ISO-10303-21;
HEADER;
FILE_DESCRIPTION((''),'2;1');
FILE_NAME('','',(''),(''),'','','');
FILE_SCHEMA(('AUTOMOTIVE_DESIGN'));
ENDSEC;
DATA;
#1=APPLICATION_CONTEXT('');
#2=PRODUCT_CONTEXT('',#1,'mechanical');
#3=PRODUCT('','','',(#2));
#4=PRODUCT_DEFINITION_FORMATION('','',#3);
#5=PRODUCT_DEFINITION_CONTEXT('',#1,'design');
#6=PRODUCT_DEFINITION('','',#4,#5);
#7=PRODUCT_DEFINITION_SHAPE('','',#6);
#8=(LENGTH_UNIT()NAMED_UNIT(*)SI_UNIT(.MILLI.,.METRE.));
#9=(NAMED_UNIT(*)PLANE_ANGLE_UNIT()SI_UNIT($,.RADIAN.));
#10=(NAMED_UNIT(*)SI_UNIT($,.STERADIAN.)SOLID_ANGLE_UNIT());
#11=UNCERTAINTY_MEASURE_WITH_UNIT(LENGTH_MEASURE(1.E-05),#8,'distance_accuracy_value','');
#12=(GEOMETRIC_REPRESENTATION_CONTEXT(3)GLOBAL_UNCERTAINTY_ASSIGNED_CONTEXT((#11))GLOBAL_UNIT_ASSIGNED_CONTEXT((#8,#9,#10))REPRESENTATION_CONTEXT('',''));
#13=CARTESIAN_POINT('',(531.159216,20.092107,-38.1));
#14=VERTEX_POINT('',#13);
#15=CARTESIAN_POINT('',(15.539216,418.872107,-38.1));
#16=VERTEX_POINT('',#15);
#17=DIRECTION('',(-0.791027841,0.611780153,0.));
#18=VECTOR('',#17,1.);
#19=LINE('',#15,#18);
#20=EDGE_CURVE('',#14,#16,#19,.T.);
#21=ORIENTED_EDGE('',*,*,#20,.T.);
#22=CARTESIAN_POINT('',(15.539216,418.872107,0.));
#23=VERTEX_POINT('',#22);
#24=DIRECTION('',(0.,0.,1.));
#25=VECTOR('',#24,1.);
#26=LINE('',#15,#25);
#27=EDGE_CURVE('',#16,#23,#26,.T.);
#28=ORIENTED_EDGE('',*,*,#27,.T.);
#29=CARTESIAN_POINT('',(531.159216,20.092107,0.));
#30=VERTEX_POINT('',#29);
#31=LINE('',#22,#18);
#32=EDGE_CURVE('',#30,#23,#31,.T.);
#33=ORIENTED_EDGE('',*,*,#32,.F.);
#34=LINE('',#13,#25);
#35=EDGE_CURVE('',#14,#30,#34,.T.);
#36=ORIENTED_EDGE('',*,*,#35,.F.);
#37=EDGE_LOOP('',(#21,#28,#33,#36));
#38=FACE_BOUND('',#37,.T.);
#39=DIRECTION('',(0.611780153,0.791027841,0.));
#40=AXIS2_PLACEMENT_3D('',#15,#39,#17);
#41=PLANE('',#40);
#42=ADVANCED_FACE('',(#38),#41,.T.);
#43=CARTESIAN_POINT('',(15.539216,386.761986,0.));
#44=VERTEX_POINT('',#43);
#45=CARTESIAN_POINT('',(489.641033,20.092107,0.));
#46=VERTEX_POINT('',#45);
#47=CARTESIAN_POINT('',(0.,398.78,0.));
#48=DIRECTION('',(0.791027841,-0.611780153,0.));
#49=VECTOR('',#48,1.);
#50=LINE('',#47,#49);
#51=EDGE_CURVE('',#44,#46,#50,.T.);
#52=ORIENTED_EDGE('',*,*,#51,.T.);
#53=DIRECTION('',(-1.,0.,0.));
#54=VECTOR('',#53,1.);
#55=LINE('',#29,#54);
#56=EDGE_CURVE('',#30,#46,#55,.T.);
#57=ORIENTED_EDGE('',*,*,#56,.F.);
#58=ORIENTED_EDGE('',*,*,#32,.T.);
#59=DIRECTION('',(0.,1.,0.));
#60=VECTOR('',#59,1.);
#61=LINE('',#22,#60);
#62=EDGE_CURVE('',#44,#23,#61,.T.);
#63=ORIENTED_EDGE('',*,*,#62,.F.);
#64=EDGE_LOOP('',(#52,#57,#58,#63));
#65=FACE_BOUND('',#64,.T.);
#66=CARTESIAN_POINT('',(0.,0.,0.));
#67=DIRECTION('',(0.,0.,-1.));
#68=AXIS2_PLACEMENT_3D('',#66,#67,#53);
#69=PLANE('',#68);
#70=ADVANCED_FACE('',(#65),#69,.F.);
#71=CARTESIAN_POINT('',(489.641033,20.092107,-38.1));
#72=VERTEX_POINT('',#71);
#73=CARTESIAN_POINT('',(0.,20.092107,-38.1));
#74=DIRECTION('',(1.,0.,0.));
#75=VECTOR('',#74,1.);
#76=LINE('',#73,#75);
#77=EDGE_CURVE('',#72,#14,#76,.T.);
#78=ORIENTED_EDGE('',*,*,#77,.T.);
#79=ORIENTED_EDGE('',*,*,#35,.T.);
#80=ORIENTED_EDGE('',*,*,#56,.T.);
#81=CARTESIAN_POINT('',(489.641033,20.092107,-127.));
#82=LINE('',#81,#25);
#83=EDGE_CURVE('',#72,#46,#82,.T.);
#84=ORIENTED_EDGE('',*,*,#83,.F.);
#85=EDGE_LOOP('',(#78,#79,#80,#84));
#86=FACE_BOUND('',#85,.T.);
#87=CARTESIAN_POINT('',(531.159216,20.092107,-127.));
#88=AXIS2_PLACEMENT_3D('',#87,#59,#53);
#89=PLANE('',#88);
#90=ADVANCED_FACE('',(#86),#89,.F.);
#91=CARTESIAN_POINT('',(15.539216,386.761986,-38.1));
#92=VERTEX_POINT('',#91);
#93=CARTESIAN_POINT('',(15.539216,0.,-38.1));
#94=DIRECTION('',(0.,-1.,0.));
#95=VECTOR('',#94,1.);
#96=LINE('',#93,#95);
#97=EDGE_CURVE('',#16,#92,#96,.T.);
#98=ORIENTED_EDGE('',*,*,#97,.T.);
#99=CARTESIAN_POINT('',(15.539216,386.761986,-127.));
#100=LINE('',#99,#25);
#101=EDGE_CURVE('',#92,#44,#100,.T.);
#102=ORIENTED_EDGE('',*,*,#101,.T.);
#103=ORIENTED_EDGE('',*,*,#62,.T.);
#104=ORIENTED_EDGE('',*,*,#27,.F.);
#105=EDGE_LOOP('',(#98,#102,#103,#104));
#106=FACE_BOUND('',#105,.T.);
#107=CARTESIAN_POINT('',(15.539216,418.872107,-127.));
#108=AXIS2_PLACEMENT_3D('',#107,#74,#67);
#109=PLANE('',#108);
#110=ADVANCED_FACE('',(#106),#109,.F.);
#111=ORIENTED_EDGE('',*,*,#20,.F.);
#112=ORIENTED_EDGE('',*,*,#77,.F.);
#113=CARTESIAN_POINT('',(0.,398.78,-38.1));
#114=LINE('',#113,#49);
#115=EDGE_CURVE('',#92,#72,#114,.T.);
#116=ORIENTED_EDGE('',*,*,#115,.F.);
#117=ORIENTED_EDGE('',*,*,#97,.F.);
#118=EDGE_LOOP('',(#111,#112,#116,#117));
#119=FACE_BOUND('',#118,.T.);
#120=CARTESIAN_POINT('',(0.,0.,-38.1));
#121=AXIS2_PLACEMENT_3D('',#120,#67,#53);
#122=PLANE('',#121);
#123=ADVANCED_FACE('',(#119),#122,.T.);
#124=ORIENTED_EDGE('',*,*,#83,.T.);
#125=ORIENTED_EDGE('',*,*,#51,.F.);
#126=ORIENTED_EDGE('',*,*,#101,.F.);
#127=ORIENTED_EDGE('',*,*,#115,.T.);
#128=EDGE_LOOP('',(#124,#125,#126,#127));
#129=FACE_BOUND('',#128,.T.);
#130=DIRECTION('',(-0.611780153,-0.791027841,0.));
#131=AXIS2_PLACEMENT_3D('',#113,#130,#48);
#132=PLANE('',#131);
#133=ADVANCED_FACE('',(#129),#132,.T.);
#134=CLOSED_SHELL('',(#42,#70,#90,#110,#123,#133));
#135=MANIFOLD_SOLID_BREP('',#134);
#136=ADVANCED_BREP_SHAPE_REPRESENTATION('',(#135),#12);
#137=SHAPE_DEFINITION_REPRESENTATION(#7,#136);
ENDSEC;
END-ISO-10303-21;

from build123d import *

# Parameters (mm, degrees)
BOSS_EXTRUDE1_DEPTH = 38.1
CUT_EXTRUDE1_DEPTH  = 127
CUT_EXTRUDE3_DEPTH  = 127


with BuildPart() as part:
    # Sketch1 → Boss-Extrude1 (new body)
    with BuildSketch(Plane.XY):
        Polygon((0, 398.78), (515.62, 0), (531.159215878, 20.092107154), (15.539215878, 418.872107154), align=None)
    extrude(amount=-BOSS_EXTRUDE1_DEPTH)

    # Sketch3 → Cut-Extrude1 (cut)
    with BuildSketch(Plane.XY):
        Polygon((15.539215878, 418.872107154), (15.539215878, 386.76198575), (0, 398.78), align=None)
    extrude(amount=-CUT_EXTRUDE1_DEPTH, mode=Mode.SUBTRACT)

    # Sketch4 → Cut-Extrude3 (cut)
    with BuildSketch(Plane.XY):
        Polygon((531.159215878, 20.092107154), (489.641033425, 20.092107154), (515.62, 0), align=None)
    extrude(amount=-CUT_EXTRUDE3_DEPTH, mode=Mode.SUBTRACT)


solid = part.part
